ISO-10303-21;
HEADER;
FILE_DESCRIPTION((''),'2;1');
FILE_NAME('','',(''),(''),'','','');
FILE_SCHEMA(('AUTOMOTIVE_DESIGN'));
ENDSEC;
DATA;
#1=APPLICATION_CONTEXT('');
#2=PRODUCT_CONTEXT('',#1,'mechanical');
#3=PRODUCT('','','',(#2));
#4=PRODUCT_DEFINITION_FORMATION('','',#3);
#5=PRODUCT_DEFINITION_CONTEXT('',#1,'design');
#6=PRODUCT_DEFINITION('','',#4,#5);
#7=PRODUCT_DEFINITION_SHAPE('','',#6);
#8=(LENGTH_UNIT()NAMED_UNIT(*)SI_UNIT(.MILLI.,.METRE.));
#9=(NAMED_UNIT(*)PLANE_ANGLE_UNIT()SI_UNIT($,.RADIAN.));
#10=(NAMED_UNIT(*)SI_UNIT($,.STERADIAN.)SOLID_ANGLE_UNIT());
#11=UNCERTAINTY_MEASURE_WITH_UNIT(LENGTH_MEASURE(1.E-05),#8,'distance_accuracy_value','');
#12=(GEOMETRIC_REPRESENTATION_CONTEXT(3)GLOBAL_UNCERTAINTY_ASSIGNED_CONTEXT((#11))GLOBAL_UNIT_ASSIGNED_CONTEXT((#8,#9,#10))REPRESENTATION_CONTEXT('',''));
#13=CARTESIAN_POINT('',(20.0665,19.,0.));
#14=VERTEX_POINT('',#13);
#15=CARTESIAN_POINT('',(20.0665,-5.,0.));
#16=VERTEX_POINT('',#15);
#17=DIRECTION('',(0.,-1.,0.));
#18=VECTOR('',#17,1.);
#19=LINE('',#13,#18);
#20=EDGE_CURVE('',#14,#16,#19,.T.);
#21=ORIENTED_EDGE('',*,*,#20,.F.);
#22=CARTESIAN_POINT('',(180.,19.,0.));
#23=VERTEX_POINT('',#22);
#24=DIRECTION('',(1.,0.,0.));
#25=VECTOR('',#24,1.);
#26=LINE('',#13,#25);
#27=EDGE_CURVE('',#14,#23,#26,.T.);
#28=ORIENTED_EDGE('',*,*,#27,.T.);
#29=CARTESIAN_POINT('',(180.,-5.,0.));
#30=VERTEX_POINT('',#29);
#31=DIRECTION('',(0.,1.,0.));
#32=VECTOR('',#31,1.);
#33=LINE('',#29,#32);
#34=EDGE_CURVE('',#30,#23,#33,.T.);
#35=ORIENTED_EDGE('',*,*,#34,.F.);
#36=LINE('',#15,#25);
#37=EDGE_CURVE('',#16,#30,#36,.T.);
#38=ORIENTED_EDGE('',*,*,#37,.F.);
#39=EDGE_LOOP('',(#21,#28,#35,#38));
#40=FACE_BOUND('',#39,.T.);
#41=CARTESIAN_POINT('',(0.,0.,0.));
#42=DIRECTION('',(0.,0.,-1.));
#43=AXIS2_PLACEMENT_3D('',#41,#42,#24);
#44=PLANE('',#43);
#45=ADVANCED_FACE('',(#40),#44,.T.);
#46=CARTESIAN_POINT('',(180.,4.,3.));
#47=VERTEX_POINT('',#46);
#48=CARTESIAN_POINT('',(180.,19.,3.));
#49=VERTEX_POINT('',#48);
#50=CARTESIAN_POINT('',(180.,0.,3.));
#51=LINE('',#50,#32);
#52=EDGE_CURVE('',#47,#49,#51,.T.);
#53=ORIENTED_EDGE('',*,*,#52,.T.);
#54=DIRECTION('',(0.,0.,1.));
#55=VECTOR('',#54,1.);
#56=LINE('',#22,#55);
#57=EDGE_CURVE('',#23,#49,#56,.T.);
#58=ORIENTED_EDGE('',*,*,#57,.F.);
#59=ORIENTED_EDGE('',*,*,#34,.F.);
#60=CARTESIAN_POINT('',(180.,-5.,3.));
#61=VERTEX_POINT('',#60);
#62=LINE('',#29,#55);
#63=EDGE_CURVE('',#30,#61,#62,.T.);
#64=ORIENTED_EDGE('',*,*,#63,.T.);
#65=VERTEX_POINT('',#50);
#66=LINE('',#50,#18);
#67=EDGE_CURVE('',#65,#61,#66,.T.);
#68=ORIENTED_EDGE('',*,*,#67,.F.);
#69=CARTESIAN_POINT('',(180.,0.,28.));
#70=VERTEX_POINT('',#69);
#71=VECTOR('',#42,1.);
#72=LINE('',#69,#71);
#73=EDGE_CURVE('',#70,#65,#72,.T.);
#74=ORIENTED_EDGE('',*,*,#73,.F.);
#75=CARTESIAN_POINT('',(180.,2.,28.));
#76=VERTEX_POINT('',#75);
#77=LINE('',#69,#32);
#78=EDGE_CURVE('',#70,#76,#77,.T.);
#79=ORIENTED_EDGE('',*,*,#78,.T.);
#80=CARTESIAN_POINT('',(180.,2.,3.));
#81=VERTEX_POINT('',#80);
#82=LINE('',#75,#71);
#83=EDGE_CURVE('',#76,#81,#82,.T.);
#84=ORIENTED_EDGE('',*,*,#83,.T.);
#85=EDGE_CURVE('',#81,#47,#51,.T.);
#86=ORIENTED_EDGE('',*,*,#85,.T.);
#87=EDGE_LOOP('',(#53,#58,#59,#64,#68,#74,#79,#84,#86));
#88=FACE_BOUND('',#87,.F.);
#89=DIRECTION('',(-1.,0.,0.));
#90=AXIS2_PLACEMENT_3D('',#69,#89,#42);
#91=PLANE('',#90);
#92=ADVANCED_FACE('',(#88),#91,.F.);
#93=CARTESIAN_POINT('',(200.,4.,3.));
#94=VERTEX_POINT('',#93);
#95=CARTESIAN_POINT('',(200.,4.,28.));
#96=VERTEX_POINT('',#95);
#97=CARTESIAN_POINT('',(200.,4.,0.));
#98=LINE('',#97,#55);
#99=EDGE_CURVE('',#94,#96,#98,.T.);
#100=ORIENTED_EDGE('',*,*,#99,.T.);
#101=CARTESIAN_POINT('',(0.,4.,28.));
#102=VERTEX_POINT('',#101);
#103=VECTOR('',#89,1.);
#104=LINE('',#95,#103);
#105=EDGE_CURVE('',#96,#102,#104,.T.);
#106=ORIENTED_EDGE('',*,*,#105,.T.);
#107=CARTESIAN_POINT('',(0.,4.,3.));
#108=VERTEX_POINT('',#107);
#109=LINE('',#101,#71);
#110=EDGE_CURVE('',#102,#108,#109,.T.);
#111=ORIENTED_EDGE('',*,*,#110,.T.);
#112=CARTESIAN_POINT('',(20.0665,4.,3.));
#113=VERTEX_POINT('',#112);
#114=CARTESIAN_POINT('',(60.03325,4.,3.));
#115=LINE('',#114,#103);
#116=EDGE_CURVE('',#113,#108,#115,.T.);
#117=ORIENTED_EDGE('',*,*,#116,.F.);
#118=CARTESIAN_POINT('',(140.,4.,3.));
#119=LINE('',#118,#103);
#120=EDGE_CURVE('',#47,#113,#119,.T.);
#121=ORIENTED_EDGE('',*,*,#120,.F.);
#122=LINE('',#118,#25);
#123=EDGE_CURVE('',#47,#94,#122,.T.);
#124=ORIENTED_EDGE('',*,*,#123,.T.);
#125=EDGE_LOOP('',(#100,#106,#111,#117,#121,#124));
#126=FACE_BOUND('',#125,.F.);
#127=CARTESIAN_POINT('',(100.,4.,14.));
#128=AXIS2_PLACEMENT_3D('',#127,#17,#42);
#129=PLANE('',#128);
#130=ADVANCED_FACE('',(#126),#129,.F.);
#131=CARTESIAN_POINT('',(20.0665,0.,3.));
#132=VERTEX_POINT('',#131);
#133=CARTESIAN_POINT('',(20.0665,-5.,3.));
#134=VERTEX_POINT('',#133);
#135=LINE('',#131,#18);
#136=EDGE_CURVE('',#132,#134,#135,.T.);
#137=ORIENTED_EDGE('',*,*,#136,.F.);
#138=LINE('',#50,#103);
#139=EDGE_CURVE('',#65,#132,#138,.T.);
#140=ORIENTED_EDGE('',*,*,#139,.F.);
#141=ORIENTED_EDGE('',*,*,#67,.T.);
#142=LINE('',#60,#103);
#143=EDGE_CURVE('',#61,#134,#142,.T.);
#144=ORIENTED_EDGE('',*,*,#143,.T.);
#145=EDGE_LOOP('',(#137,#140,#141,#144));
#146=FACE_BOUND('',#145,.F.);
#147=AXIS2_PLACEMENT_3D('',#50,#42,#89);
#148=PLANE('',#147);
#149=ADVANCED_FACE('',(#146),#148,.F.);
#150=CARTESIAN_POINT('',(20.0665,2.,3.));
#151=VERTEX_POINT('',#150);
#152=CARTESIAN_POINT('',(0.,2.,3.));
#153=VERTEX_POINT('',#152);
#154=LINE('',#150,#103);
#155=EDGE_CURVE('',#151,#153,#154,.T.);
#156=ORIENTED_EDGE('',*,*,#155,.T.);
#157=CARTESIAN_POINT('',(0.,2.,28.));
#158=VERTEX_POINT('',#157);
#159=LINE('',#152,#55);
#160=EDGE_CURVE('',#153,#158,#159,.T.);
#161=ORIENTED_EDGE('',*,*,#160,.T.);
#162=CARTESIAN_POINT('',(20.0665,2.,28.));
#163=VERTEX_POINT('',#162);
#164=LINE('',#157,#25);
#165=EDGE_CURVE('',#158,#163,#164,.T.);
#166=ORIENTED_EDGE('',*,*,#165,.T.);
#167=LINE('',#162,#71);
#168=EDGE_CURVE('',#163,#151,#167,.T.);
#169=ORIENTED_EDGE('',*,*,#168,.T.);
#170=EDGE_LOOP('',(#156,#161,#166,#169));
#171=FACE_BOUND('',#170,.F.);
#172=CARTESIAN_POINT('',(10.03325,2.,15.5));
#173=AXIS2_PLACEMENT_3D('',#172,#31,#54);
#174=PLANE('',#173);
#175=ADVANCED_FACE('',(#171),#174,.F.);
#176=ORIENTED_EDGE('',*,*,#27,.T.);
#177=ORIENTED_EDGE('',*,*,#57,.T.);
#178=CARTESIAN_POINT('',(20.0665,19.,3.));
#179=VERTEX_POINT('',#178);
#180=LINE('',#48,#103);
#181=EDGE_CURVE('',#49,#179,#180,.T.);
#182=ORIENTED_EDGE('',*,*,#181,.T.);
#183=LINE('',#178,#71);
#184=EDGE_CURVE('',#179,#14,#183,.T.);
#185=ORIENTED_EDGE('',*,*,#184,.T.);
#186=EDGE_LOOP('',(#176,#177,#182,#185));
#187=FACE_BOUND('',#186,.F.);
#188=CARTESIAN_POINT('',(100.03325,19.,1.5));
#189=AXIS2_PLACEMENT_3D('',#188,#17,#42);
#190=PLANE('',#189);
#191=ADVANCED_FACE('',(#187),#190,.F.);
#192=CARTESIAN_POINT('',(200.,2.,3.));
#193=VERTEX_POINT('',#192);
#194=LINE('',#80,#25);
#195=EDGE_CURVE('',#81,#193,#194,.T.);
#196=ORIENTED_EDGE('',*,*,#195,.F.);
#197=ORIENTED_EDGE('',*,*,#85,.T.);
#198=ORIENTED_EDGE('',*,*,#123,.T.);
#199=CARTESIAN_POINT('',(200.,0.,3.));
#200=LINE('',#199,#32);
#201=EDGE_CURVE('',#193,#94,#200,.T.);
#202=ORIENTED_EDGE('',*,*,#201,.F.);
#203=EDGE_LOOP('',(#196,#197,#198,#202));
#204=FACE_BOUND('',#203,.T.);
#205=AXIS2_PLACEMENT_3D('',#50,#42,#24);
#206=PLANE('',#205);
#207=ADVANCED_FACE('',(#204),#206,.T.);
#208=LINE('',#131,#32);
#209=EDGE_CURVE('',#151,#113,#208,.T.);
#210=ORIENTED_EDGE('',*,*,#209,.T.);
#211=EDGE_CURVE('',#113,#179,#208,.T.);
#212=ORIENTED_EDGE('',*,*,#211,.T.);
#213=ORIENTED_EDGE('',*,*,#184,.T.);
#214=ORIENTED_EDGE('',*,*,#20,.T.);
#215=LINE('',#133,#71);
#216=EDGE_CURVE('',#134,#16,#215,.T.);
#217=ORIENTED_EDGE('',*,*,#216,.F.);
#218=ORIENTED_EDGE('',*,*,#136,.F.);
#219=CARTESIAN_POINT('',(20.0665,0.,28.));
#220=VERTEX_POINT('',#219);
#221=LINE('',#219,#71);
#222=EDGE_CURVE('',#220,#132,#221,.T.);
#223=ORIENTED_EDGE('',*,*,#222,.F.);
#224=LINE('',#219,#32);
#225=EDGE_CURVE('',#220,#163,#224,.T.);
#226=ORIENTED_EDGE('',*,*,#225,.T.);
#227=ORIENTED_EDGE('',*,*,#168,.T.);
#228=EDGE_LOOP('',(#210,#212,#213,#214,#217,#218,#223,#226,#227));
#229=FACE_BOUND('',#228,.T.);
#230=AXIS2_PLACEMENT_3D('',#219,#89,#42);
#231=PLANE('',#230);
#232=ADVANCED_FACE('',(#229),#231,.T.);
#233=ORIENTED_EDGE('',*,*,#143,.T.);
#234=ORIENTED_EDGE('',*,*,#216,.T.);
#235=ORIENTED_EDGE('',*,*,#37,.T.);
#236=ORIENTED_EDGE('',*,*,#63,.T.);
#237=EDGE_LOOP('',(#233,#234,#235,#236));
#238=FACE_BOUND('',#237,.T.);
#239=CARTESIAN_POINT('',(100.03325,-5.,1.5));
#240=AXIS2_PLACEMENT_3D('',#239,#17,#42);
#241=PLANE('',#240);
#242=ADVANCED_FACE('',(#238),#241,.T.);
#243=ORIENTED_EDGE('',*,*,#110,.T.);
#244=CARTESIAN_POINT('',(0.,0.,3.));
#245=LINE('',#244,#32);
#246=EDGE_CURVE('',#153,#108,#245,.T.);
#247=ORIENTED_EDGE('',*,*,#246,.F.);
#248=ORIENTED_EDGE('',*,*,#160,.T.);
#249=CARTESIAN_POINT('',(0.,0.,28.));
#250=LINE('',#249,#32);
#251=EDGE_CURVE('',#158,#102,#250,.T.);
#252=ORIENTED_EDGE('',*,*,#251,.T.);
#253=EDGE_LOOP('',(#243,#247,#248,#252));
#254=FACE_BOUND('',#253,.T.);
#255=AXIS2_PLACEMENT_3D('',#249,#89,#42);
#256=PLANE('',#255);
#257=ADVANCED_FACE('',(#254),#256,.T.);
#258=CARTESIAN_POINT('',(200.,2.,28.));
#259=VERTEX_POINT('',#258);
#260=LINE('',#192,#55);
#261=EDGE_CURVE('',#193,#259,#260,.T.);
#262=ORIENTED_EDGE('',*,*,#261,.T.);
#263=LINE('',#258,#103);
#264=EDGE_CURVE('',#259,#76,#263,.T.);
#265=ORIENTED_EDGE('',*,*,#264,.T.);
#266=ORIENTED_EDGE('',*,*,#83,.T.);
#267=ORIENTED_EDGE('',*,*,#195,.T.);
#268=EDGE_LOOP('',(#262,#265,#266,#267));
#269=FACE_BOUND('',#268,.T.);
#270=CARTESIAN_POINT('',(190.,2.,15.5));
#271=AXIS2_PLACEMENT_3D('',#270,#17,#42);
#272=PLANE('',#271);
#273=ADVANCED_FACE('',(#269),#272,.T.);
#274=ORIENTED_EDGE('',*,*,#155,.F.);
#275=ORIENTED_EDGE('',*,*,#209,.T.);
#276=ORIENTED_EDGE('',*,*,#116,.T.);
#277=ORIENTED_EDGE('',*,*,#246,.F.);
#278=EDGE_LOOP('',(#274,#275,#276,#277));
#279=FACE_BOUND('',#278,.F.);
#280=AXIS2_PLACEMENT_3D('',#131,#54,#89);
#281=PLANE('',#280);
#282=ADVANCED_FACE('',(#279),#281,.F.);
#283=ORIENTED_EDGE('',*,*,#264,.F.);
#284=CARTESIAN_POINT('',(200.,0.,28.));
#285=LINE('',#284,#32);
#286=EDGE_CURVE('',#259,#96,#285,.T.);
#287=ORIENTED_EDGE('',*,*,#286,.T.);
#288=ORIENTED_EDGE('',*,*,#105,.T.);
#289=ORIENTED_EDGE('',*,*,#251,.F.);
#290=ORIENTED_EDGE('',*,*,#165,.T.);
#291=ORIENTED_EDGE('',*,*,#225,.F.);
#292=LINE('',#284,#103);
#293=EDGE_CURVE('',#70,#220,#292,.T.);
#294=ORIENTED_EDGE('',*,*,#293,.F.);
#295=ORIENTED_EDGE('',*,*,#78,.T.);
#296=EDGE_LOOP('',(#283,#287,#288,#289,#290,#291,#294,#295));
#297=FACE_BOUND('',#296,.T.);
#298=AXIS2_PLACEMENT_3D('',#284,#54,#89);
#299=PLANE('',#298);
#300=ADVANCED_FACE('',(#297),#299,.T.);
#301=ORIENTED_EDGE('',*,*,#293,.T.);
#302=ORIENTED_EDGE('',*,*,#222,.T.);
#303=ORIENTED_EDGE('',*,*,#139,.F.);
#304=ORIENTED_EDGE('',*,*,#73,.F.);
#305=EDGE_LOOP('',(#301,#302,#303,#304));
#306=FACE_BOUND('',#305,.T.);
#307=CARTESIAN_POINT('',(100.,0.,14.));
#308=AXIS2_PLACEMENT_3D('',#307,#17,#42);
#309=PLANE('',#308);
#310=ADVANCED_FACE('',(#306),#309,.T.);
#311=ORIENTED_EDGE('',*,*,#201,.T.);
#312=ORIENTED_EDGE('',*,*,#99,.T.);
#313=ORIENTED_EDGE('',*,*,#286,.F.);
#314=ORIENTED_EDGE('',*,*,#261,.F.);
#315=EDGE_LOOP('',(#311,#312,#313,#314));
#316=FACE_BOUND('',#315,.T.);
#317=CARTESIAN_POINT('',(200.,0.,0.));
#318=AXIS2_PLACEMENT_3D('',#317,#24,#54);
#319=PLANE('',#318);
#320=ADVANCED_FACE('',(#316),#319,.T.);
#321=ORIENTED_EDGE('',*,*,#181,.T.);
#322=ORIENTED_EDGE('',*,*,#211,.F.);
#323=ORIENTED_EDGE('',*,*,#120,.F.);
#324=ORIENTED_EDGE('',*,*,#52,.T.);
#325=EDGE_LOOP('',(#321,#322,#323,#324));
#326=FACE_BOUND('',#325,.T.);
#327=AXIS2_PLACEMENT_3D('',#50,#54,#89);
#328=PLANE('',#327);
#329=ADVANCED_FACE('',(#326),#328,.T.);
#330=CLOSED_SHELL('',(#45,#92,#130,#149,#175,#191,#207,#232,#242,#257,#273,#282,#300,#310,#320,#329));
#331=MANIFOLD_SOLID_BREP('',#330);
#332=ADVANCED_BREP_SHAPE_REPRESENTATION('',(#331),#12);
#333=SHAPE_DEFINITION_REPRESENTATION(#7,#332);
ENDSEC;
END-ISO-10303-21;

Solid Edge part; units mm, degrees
sketch "Sketch1" plane through (0, 0, 0) normal (0, -1, 0) x (1, 0, 0)
  line L0 (200, 28) -> (0, 28)
  line L1 (0, 28) -> (0, 0)
  line L2 (0, 0) -> (200, 0)
  line L3 (200, 0) -> (200, 28)
extrude "Protrusion1" add sketch "Sketch1" against normal blind 4
sketch "Sketch2" plane through (77.37, 0, 14) normal (0, -1, 0) x (1, 0, 0)
  line L0 (102.63, -11) -> (-57.3035, -11)
  line L1 (-57.3035, -11) -> (-57.3035, -14)
  line L2 (-57.3035, -14) -> (102.63, -14)
  line L3 (102.63, -14) -> (102.63, -11)
extrude "Protrusão_Extrudada_6" add sketch "Sketch2" along normal blind 5
sketch "Sketch3" plane through (77.37, 0, 14) normal (0, -1, 0) x (1, 0, 0)
  line L0 (102.63, -11) -> (-57.3035, -11)
  line L1 (-57.3035, -11) -> (-57.3035, -14)
  line L2 (-57.3035, -14) -> (102.63, -14)
  line L3 (102.63, -14) -> (102.63, -11)
extrude "Protrusão_Extrudada_7" add sketch "Sketch3" against normal blind 19
sketch "Sketch4" plane through (77.37, 0, 14) normal (0, -1, 0) x (-1, 0, 0)
  line L0 (-102.63, -14) -> (-102.63, 11)
  line L1 (-102.63, 11) -> (-122.63, 11)
  line L2 (-122.63, 11) -> (-122.63, -14)
  line L3 (-122.63, -14) -> (-102.63, -14)
  line L4 (57.3035, -14) -> (57.3035, 11)
  line L5 (57.3035, 11) -> (77.37, 11)
  line L6 (77.37, 11) -> (77.37, -14)
  line L7 (77.37, -14) -> (57.3035, -14)
  dimension "D1" = 20
  dimension "D2" = 20.0665
  dimension "D3" = 25
  dimension "D4" = 25
extrude "Recorte_Extrudado_5" cut sketch "Sketch4" against normal blind 2
sketch "Sketch5" plane through (77.37, 0, 14) normal (0, -1, 0) x (1, 0, 0)
  line L0 (102.63, -14) -> (102.63, -11)
  line L1 (102.63, -11) -> (122.63, -11)
  line L2 (122.63, -14) -> (122.63, -11)
  line L3 (102.63, -14) -> (122.63, -14)
extrude "Recorte_Extrudado_6" cut sketch "Sketch5" against normal blind 21.6353
sketch "Sketch6" plane through (0, 0, 0) normal (0, -1, 0) x (1, 0, 0)
  line L0 (20.0665, 3) -> (20.0665, 0)
  line L1 (0, 0) -> (20.0665, 0)
  line L2 (0, 3) -> (0, 0)
  line L3 (20.0665, 3) -> (0, 3)
extrude "Recorte_Extrudado_7" cut sketch "Sketch6" against normal blind 21.2624
